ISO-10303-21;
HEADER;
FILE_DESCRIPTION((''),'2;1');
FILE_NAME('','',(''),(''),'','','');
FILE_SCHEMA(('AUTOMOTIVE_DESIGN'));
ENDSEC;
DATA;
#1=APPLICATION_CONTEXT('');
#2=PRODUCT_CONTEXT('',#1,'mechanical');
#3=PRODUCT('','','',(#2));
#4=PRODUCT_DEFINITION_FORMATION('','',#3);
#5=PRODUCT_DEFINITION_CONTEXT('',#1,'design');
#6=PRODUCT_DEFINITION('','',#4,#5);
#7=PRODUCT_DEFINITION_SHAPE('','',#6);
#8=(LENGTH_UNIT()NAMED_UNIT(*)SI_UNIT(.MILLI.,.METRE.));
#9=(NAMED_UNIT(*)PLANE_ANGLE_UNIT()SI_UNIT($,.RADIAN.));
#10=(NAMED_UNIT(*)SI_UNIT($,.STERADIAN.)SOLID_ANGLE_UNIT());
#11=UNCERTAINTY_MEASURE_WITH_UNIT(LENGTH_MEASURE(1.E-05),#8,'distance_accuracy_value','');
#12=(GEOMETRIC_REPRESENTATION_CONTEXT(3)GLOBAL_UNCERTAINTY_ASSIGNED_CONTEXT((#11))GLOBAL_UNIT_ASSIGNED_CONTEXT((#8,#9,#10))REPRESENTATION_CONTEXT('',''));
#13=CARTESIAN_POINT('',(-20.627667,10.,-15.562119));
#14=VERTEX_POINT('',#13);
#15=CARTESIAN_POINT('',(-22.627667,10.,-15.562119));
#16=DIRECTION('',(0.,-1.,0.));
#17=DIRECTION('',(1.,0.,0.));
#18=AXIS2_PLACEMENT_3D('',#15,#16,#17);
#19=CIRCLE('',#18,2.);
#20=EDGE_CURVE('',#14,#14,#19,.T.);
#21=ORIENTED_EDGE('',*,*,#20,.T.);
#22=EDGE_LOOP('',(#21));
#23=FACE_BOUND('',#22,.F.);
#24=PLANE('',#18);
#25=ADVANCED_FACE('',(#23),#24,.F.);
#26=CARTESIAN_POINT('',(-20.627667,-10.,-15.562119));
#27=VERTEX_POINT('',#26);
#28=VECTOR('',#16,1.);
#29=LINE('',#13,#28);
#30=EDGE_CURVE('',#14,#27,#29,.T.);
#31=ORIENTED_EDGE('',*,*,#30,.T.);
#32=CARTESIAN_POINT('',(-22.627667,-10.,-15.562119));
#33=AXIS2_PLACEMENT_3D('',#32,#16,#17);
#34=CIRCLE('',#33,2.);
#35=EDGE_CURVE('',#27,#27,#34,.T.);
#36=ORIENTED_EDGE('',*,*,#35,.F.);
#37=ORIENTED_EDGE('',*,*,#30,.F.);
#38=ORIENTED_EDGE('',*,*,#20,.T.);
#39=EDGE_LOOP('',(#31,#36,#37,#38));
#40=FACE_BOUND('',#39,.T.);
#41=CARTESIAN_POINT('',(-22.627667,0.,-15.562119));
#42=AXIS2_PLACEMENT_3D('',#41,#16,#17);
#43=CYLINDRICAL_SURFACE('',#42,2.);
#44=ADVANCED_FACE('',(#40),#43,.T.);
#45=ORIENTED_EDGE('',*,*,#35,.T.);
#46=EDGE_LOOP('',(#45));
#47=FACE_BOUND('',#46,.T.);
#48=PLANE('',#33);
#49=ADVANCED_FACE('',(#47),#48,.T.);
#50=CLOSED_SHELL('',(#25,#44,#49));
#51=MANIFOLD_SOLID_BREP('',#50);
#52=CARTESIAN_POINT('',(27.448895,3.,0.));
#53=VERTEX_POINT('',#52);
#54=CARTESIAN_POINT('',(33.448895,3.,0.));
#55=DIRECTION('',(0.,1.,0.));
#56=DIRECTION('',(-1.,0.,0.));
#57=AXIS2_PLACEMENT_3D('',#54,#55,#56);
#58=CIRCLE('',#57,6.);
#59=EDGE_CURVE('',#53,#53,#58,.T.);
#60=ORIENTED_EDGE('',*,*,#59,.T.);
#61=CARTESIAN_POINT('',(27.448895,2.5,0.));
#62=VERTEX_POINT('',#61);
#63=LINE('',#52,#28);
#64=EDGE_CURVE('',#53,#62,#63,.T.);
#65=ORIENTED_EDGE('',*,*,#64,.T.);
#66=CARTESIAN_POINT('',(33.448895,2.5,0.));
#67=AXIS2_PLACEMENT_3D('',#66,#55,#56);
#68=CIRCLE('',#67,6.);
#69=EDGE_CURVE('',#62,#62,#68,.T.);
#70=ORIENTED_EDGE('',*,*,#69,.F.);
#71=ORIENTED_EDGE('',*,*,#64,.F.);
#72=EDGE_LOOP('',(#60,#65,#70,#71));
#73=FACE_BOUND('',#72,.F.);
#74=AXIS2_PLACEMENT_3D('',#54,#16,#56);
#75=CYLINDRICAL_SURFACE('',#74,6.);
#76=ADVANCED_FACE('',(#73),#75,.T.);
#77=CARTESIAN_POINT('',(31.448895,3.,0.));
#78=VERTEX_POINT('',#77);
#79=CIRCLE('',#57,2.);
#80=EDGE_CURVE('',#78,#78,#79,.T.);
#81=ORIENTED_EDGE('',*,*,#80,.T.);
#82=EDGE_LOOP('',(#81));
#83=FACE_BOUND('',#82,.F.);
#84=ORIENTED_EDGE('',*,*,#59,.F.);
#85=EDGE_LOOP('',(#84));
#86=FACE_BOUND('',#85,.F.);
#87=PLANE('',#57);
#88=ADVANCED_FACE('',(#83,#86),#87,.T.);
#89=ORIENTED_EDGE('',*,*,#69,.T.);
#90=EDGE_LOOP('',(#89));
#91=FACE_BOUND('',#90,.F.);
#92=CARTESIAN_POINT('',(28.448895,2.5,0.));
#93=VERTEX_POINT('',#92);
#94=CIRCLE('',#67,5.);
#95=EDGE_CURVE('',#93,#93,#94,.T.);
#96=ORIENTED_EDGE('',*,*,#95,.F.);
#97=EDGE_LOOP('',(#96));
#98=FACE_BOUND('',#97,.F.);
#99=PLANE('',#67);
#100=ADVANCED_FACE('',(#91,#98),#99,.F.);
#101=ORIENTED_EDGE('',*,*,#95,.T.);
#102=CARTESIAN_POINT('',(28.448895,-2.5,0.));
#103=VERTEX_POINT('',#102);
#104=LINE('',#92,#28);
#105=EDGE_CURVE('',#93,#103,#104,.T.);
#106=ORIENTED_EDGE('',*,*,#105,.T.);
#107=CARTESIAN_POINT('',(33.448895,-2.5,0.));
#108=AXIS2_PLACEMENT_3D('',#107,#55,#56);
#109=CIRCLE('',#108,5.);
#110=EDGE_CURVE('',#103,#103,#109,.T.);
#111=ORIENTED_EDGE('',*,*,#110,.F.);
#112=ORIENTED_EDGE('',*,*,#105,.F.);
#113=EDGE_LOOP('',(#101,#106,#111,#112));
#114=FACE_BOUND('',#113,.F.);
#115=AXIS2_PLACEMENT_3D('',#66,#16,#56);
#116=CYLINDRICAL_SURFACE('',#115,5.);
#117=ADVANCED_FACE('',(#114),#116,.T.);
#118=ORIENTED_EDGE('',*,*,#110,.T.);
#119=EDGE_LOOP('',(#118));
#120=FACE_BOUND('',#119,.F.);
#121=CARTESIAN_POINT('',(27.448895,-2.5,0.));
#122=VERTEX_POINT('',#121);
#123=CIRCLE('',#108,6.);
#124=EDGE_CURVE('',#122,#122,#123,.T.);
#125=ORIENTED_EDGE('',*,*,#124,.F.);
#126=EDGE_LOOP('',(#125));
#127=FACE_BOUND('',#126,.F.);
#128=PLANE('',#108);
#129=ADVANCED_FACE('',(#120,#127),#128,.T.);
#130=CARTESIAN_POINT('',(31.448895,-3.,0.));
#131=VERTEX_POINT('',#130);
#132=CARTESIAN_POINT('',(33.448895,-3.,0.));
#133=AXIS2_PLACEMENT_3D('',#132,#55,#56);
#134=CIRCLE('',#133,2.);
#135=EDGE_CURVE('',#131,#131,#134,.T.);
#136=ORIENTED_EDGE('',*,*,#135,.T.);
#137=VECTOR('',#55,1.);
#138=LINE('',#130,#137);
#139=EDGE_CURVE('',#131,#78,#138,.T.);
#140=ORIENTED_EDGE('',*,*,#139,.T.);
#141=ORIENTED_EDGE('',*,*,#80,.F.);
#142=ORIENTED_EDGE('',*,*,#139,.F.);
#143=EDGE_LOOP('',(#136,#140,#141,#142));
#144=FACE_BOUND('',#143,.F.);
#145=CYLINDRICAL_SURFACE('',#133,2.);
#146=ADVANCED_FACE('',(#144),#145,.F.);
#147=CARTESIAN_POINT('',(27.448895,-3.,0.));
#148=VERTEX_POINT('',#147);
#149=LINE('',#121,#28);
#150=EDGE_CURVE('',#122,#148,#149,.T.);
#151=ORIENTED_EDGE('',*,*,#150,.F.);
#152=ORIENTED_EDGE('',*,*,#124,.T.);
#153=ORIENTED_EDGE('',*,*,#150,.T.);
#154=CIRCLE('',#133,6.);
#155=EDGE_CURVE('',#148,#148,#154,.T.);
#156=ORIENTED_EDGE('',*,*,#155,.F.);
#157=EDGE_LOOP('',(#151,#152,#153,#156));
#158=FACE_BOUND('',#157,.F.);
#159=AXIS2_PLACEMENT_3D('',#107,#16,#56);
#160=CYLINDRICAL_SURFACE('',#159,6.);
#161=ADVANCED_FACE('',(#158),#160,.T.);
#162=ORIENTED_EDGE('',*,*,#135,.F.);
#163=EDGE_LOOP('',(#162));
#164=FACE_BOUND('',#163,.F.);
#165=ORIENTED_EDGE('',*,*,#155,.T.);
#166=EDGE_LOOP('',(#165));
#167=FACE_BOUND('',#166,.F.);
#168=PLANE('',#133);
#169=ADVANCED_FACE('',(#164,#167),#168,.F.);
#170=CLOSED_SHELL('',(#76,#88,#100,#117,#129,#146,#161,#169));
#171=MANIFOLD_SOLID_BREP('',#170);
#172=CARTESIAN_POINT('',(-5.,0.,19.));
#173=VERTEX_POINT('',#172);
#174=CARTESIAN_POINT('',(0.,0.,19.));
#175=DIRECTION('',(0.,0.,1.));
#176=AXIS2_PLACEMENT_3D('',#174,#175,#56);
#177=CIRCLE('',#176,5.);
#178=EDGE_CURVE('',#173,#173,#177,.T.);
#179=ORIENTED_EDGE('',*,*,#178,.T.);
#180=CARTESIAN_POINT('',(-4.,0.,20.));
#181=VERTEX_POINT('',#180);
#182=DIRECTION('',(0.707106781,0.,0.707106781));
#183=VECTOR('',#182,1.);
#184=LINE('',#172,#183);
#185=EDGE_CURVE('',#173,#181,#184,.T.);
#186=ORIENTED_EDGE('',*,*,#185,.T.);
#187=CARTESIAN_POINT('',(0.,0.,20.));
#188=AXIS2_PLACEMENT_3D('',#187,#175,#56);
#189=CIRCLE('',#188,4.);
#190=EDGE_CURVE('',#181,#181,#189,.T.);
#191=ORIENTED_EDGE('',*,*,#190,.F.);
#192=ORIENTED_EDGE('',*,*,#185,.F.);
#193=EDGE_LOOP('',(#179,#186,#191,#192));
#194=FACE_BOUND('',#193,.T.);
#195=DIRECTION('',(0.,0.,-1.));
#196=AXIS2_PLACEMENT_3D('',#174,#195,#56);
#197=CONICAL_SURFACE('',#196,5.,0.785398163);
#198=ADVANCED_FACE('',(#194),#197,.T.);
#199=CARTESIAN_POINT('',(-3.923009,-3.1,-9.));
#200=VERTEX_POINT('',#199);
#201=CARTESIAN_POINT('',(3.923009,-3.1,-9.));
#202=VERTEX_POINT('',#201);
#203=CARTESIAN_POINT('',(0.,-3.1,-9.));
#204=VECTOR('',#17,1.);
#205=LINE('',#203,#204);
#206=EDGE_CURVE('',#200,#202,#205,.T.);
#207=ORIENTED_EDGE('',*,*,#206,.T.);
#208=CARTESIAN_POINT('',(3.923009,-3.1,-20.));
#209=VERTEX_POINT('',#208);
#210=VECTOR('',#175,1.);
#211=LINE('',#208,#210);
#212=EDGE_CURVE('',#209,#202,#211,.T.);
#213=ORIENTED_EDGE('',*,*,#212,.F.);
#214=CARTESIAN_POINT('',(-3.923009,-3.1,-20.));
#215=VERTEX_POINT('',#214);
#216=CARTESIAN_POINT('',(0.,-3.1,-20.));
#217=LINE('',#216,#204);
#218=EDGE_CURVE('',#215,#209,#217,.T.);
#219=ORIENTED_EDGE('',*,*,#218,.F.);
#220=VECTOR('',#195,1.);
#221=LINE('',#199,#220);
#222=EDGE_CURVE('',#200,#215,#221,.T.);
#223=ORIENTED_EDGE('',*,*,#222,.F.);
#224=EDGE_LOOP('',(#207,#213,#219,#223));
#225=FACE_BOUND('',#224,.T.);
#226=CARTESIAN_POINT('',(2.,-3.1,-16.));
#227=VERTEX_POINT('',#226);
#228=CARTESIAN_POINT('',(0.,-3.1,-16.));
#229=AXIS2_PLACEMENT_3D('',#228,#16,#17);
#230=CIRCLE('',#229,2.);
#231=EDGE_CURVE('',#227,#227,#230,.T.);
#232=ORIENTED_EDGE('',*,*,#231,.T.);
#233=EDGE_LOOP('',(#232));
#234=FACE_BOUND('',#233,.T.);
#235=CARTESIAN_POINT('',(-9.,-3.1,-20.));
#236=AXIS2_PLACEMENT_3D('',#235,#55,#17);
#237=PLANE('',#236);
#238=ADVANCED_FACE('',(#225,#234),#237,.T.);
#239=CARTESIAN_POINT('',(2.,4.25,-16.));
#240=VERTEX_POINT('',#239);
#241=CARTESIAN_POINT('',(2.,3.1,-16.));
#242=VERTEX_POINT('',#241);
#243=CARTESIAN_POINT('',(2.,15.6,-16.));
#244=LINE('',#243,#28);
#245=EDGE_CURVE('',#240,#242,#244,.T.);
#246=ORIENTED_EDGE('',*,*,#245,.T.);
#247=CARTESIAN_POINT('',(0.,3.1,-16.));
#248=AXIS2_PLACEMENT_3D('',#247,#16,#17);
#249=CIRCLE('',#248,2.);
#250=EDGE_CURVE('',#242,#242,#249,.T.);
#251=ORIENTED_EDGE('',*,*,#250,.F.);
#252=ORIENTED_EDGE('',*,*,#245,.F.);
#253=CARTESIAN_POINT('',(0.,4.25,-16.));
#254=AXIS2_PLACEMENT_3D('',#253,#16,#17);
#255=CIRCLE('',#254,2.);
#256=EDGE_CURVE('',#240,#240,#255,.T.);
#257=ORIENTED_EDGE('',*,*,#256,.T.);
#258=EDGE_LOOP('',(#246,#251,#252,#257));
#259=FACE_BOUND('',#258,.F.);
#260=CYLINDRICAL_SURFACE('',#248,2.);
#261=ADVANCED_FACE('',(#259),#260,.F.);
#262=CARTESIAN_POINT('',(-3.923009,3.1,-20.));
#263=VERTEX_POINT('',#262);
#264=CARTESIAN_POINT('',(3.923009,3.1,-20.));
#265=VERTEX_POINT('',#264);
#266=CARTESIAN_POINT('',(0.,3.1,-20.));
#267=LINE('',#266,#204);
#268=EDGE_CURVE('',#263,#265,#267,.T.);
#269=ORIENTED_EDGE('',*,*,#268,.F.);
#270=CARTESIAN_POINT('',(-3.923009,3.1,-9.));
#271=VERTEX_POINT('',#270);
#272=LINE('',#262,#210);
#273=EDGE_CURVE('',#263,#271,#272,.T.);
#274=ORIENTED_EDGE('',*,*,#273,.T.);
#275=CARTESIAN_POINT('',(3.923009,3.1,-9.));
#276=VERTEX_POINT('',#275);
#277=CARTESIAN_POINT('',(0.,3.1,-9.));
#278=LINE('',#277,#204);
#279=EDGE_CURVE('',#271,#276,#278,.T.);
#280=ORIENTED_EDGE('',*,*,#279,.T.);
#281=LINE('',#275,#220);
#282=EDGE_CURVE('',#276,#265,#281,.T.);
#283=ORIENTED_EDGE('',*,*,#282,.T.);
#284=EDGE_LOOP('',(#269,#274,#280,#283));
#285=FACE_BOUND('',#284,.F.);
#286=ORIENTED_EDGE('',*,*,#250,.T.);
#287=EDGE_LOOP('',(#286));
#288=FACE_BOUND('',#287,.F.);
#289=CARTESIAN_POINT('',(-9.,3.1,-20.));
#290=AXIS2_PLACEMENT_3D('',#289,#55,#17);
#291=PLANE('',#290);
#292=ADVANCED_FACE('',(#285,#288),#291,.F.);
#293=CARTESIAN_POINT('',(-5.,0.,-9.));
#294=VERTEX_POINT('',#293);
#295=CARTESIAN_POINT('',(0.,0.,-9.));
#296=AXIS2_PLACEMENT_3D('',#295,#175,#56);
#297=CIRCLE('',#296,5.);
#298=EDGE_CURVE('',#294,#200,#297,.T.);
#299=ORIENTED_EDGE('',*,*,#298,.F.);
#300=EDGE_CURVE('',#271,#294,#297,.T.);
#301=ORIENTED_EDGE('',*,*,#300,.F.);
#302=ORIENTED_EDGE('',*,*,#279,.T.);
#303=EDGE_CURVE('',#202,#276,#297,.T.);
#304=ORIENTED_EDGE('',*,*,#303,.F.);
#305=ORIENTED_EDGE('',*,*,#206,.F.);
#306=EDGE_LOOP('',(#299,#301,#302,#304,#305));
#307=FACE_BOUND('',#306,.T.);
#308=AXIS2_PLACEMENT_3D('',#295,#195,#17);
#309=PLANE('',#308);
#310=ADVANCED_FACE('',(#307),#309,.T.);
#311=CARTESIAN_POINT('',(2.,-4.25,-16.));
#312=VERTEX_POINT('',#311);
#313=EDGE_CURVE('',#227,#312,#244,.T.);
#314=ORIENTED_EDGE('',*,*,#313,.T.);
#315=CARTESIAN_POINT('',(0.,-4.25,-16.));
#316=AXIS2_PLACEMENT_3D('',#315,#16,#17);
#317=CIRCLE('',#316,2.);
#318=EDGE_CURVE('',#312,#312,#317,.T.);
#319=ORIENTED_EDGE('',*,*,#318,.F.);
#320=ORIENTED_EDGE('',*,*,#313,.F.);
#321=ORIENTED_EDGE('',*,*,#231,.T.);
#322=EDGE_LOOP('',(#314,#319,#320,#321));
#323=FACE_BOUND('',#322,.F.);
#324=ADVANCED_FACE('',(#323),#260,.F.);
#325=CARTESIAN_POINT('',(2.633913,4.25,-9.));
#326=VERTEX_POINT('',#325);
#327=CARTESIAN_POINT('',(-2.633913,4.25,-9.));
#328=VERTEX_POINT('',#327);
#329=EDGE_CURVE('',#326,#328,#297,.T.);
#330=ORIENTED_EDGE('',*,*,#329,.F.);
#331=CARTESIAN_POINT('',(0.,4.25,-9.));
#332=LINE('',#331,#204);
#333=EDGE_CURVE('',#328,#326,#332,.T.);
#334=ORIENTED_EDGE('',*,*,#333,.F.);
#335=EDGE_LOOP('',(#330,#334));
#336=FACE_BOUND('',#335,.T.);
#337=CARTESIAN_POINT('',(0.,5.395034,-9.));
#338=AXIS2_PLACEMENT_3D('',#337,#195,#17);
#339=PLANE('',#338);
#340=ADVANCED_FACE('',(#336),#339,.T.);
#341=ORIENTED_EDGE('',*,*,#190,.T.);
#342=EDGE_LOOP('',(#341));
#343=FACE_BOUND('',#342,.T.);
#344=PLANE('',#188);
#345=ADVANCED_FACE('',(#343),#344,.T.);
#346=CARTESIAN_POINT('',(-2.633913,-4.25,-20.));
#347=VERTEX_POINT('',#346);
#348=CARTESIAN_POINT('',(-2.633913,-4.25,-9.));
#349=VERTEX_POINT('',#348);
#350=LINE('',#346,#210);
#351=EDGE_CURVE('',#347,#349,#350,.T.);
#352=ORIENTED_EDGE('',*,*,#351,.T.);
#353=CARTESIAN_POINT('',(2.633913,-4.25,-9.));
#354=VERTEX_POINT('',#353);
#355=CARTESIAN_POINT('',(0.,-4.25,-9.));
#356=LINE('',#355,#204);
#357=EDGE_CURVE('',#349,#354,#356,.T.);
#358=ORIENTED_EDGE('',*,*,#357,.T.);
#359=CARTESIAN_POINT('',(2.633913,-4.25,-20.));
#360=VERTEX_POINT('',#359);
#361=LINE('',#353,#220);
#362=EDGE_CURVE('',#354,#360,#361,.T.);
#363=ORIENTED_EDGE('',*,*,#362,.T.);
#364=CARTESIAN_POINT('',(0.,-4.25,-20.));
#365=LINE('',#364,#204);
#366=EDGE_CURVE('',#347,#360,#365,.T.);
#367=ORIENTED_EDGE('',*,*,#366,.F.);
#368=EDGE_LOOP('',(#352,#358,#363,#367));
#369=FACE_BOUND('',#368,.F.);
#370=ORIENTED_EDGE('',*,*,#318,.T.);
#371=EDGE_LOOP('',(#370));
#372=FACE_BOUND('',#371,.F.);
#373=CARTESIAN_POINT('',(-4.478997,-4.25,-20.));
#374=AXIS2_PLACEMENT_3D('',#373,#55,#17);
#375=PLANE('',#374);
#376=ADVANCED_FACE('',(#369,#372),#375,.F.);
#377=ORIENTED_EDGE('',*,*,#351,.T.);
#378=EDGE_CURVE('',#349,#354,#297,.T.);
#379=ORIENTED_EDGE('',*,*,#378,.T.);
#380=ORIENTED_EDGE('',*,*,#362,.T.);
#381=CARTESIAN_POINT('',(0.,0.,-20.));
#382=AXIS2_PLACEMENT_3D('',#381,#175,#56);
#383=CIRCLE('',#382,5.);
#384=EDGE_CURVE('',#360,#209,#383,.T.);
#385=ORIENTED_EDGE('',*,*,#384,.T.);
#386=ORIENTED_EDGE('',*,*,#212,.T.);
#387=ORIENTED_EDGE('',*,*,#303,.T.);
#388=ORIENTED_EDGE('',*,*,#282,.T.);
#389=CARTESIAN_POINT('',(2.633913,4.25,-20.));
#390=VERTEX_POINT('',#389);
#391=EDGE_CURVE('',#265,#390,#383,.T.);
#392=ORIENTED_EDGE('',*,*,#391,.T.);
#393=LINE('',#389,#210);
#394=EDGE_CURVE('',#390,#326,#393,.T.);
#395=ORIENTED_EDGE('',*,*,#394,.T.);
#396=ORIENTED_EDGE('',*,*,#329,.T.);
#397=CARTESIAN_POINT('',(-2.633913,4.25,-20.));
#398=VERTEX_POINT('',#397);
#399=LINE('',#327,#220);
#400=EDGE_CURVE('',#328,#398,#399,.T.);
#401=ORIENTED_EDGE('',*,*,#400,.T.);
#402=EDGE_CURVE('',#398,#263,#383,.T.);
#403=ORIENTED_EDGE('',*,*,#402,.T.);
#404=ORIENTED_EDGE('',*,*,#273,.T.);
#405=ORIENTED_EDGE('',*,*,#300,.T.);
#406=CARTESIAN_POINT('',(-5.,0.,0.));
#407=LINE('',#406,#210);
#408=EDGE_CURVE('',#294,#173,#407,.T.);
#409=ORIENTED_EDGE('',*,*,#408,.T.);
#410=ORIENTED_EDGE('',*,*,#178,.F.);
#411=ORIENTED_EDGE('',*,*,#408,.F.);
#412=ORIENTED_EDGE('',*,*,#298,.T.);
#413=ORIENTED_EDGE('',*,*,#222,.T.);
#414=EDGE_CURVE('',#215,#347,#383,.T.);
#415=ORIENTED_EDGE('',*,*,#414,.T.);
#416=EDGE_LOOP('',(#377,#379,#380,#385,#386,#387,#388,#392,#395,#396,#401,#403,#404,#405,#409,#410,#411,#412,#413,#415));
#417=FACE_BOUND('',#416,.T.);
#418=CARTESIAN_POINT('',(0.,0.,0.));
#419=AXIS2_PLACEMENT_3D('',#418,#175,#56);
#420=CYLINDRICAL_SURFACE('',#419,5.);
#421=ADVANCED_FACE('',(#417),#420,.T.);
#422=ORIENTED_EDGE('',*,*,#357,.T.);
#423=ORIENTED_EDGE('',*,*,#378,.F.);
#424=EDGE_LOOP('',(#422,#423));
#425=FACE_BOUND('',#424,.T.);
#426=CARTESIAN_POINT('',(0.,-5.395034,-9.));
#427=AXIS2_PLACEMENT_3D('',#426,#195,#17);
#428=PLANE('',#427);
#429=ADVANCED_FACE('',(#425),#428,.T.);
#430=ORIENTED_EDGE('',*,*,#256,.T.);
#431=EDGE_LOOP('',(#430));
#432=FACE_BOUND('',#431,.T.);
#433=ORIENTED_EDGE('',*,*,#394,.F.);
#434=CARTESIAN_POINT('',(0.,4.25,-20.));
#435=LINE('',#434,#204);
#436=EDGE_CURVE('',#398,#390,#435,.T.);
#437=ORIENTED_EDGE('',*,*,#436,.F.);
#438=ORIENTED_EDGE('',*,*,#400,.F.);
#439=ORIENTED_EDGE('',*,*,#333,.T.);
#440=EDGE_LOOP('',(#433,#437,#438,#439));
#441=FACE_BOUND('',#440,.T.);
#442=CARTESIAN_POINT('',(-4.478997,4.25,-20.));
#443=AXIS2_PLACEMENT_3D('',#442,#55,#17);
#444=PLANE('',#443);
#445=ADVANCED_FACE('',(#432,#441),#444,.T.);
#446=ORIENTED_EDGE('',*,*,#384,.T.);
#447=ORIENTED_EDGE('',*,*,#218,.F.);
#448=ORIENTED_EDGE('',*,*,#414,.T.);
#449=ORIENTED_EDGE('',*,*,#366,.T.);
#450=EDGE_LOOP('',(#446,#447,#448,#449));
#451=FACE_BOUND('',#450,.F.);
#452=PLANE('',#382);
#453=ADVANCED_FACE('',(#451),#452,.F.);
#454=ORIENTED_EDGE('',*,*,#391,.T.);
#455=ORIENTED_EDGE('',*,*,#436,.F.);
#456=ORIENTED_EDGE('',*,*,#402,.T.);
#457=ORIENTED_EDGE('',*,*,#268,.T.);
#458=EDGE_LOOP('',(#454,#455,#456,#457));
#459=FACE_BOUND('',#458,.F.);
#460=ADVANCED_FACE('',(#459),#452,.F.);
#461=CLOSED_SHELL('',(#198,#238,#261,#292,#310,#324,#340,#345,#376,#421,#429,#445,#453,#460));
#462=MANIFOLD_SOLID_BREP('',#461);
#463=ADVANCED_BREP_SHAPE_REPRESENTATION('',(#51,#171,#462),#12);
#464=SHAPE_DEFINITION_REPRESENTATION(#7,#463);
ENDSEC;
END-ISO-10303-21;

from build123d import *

# Parameters (mm, degrees)
F0_W      = 5
F0_H      = 40
F2_W      = 18
F2_H      = 6.2
F2_W_2    = 8.9579941705
F2_H_2    = 2.2900672629
F3_DEPTH  = 11
F4_R      = 2
F5_DEPTH  = 12.5
F6_R      = 2
F7_DEPTH  = 10
F10_SIZE  = 1
F11_DEPTH = 10


with BuildPart() as f1:
    # F0 (on Front) → F1 (revolve)
    with BuildSketch(Plane.XZ):
        with Locations((-2.5, 0)):
            Rectangle(F0_W, F0_H)
    revolve(axis=Axis((0, 0, 0), (0, 0, 1)))

    # F2 (on face) → F3 (cut)
    with BuildSketch(Plane(origin=(0, 0, -20), x_dir=(1, 0, 0), z_dir=(0, 0, -1))):
        Rectangle(F2_W, F2_H)
        with Locations((0, -5.3950336315)):
            Rectangle(F2_W_2, F2_H_2)
        with Locations((0, 5.3950336315)):
            Rectangle(F2_W_2, F2_H_2)
    extrude(amount=-F3_DEPTH, mode=Mode.SUBTRACT)

    # F4 (on face) → F5 (cut, symmetric)
    with BuildSketch(Plane.XZ.offset(-3.1)):
        with Locations((0, -16)):
            Circle(F4_R)
    extrude(amount=F5_DEPTH, both=True, mode=Mode.SUBTRACT)

    # F10
    f10_edges = [f1.edges().sort_by_distance(p)[0] for p in [
        (5, 0, 20),
    ]]
    chamfer(f10_edges, length=F10_SIZE)

    # F2 (on face) → F11 (cut)
    with BuildSketch(Plane(origin=(0, 0, -20), x_dir=(1, 0, 0), z_dir=(0, 0, -1))):
        Rectangle(F2_W, F2_H)
        with Locations((0, -5.3950336315)):
            Rectangle(F2_W_2, F2_H_2)
        with Locations((0, 5.3950336315)):
            Rectangle(F2_W_2, F2_H_2)
    extrude(amount=-F11_DEPTH, mode=Mode.SUBTRACT)


with BuildPart() as f7:
    # F6 (on Front) → F7 (new body, symmetric)
    with BuildSketch(Plane.XZ):
        with Locations((-22.6276665926, -15.5621189624)):
            Circle(F6_R)
    extrude(amount=F7_DEPTH, both=True)


with BuildPart() as f9:
    # F8 (on Top) → F9 (revolve)
    with BuildSketch(Plane.XY):
        Polygon((27.4488952756, -3), (31.4488952756, -3), (31.4488952756, 3), (27.4488952756, 3), (27.4488952756, 2.5), (28.4488952756, 2.5), (28.4488952756, -2.5), (27.4488952756, -2.5), align=None)
    revolve(axis=Axis((33.4488952756, -1.0138176493, 0), (0, 1, 0)))


solid = Compound([f1.part, f7.part, f9.part])
